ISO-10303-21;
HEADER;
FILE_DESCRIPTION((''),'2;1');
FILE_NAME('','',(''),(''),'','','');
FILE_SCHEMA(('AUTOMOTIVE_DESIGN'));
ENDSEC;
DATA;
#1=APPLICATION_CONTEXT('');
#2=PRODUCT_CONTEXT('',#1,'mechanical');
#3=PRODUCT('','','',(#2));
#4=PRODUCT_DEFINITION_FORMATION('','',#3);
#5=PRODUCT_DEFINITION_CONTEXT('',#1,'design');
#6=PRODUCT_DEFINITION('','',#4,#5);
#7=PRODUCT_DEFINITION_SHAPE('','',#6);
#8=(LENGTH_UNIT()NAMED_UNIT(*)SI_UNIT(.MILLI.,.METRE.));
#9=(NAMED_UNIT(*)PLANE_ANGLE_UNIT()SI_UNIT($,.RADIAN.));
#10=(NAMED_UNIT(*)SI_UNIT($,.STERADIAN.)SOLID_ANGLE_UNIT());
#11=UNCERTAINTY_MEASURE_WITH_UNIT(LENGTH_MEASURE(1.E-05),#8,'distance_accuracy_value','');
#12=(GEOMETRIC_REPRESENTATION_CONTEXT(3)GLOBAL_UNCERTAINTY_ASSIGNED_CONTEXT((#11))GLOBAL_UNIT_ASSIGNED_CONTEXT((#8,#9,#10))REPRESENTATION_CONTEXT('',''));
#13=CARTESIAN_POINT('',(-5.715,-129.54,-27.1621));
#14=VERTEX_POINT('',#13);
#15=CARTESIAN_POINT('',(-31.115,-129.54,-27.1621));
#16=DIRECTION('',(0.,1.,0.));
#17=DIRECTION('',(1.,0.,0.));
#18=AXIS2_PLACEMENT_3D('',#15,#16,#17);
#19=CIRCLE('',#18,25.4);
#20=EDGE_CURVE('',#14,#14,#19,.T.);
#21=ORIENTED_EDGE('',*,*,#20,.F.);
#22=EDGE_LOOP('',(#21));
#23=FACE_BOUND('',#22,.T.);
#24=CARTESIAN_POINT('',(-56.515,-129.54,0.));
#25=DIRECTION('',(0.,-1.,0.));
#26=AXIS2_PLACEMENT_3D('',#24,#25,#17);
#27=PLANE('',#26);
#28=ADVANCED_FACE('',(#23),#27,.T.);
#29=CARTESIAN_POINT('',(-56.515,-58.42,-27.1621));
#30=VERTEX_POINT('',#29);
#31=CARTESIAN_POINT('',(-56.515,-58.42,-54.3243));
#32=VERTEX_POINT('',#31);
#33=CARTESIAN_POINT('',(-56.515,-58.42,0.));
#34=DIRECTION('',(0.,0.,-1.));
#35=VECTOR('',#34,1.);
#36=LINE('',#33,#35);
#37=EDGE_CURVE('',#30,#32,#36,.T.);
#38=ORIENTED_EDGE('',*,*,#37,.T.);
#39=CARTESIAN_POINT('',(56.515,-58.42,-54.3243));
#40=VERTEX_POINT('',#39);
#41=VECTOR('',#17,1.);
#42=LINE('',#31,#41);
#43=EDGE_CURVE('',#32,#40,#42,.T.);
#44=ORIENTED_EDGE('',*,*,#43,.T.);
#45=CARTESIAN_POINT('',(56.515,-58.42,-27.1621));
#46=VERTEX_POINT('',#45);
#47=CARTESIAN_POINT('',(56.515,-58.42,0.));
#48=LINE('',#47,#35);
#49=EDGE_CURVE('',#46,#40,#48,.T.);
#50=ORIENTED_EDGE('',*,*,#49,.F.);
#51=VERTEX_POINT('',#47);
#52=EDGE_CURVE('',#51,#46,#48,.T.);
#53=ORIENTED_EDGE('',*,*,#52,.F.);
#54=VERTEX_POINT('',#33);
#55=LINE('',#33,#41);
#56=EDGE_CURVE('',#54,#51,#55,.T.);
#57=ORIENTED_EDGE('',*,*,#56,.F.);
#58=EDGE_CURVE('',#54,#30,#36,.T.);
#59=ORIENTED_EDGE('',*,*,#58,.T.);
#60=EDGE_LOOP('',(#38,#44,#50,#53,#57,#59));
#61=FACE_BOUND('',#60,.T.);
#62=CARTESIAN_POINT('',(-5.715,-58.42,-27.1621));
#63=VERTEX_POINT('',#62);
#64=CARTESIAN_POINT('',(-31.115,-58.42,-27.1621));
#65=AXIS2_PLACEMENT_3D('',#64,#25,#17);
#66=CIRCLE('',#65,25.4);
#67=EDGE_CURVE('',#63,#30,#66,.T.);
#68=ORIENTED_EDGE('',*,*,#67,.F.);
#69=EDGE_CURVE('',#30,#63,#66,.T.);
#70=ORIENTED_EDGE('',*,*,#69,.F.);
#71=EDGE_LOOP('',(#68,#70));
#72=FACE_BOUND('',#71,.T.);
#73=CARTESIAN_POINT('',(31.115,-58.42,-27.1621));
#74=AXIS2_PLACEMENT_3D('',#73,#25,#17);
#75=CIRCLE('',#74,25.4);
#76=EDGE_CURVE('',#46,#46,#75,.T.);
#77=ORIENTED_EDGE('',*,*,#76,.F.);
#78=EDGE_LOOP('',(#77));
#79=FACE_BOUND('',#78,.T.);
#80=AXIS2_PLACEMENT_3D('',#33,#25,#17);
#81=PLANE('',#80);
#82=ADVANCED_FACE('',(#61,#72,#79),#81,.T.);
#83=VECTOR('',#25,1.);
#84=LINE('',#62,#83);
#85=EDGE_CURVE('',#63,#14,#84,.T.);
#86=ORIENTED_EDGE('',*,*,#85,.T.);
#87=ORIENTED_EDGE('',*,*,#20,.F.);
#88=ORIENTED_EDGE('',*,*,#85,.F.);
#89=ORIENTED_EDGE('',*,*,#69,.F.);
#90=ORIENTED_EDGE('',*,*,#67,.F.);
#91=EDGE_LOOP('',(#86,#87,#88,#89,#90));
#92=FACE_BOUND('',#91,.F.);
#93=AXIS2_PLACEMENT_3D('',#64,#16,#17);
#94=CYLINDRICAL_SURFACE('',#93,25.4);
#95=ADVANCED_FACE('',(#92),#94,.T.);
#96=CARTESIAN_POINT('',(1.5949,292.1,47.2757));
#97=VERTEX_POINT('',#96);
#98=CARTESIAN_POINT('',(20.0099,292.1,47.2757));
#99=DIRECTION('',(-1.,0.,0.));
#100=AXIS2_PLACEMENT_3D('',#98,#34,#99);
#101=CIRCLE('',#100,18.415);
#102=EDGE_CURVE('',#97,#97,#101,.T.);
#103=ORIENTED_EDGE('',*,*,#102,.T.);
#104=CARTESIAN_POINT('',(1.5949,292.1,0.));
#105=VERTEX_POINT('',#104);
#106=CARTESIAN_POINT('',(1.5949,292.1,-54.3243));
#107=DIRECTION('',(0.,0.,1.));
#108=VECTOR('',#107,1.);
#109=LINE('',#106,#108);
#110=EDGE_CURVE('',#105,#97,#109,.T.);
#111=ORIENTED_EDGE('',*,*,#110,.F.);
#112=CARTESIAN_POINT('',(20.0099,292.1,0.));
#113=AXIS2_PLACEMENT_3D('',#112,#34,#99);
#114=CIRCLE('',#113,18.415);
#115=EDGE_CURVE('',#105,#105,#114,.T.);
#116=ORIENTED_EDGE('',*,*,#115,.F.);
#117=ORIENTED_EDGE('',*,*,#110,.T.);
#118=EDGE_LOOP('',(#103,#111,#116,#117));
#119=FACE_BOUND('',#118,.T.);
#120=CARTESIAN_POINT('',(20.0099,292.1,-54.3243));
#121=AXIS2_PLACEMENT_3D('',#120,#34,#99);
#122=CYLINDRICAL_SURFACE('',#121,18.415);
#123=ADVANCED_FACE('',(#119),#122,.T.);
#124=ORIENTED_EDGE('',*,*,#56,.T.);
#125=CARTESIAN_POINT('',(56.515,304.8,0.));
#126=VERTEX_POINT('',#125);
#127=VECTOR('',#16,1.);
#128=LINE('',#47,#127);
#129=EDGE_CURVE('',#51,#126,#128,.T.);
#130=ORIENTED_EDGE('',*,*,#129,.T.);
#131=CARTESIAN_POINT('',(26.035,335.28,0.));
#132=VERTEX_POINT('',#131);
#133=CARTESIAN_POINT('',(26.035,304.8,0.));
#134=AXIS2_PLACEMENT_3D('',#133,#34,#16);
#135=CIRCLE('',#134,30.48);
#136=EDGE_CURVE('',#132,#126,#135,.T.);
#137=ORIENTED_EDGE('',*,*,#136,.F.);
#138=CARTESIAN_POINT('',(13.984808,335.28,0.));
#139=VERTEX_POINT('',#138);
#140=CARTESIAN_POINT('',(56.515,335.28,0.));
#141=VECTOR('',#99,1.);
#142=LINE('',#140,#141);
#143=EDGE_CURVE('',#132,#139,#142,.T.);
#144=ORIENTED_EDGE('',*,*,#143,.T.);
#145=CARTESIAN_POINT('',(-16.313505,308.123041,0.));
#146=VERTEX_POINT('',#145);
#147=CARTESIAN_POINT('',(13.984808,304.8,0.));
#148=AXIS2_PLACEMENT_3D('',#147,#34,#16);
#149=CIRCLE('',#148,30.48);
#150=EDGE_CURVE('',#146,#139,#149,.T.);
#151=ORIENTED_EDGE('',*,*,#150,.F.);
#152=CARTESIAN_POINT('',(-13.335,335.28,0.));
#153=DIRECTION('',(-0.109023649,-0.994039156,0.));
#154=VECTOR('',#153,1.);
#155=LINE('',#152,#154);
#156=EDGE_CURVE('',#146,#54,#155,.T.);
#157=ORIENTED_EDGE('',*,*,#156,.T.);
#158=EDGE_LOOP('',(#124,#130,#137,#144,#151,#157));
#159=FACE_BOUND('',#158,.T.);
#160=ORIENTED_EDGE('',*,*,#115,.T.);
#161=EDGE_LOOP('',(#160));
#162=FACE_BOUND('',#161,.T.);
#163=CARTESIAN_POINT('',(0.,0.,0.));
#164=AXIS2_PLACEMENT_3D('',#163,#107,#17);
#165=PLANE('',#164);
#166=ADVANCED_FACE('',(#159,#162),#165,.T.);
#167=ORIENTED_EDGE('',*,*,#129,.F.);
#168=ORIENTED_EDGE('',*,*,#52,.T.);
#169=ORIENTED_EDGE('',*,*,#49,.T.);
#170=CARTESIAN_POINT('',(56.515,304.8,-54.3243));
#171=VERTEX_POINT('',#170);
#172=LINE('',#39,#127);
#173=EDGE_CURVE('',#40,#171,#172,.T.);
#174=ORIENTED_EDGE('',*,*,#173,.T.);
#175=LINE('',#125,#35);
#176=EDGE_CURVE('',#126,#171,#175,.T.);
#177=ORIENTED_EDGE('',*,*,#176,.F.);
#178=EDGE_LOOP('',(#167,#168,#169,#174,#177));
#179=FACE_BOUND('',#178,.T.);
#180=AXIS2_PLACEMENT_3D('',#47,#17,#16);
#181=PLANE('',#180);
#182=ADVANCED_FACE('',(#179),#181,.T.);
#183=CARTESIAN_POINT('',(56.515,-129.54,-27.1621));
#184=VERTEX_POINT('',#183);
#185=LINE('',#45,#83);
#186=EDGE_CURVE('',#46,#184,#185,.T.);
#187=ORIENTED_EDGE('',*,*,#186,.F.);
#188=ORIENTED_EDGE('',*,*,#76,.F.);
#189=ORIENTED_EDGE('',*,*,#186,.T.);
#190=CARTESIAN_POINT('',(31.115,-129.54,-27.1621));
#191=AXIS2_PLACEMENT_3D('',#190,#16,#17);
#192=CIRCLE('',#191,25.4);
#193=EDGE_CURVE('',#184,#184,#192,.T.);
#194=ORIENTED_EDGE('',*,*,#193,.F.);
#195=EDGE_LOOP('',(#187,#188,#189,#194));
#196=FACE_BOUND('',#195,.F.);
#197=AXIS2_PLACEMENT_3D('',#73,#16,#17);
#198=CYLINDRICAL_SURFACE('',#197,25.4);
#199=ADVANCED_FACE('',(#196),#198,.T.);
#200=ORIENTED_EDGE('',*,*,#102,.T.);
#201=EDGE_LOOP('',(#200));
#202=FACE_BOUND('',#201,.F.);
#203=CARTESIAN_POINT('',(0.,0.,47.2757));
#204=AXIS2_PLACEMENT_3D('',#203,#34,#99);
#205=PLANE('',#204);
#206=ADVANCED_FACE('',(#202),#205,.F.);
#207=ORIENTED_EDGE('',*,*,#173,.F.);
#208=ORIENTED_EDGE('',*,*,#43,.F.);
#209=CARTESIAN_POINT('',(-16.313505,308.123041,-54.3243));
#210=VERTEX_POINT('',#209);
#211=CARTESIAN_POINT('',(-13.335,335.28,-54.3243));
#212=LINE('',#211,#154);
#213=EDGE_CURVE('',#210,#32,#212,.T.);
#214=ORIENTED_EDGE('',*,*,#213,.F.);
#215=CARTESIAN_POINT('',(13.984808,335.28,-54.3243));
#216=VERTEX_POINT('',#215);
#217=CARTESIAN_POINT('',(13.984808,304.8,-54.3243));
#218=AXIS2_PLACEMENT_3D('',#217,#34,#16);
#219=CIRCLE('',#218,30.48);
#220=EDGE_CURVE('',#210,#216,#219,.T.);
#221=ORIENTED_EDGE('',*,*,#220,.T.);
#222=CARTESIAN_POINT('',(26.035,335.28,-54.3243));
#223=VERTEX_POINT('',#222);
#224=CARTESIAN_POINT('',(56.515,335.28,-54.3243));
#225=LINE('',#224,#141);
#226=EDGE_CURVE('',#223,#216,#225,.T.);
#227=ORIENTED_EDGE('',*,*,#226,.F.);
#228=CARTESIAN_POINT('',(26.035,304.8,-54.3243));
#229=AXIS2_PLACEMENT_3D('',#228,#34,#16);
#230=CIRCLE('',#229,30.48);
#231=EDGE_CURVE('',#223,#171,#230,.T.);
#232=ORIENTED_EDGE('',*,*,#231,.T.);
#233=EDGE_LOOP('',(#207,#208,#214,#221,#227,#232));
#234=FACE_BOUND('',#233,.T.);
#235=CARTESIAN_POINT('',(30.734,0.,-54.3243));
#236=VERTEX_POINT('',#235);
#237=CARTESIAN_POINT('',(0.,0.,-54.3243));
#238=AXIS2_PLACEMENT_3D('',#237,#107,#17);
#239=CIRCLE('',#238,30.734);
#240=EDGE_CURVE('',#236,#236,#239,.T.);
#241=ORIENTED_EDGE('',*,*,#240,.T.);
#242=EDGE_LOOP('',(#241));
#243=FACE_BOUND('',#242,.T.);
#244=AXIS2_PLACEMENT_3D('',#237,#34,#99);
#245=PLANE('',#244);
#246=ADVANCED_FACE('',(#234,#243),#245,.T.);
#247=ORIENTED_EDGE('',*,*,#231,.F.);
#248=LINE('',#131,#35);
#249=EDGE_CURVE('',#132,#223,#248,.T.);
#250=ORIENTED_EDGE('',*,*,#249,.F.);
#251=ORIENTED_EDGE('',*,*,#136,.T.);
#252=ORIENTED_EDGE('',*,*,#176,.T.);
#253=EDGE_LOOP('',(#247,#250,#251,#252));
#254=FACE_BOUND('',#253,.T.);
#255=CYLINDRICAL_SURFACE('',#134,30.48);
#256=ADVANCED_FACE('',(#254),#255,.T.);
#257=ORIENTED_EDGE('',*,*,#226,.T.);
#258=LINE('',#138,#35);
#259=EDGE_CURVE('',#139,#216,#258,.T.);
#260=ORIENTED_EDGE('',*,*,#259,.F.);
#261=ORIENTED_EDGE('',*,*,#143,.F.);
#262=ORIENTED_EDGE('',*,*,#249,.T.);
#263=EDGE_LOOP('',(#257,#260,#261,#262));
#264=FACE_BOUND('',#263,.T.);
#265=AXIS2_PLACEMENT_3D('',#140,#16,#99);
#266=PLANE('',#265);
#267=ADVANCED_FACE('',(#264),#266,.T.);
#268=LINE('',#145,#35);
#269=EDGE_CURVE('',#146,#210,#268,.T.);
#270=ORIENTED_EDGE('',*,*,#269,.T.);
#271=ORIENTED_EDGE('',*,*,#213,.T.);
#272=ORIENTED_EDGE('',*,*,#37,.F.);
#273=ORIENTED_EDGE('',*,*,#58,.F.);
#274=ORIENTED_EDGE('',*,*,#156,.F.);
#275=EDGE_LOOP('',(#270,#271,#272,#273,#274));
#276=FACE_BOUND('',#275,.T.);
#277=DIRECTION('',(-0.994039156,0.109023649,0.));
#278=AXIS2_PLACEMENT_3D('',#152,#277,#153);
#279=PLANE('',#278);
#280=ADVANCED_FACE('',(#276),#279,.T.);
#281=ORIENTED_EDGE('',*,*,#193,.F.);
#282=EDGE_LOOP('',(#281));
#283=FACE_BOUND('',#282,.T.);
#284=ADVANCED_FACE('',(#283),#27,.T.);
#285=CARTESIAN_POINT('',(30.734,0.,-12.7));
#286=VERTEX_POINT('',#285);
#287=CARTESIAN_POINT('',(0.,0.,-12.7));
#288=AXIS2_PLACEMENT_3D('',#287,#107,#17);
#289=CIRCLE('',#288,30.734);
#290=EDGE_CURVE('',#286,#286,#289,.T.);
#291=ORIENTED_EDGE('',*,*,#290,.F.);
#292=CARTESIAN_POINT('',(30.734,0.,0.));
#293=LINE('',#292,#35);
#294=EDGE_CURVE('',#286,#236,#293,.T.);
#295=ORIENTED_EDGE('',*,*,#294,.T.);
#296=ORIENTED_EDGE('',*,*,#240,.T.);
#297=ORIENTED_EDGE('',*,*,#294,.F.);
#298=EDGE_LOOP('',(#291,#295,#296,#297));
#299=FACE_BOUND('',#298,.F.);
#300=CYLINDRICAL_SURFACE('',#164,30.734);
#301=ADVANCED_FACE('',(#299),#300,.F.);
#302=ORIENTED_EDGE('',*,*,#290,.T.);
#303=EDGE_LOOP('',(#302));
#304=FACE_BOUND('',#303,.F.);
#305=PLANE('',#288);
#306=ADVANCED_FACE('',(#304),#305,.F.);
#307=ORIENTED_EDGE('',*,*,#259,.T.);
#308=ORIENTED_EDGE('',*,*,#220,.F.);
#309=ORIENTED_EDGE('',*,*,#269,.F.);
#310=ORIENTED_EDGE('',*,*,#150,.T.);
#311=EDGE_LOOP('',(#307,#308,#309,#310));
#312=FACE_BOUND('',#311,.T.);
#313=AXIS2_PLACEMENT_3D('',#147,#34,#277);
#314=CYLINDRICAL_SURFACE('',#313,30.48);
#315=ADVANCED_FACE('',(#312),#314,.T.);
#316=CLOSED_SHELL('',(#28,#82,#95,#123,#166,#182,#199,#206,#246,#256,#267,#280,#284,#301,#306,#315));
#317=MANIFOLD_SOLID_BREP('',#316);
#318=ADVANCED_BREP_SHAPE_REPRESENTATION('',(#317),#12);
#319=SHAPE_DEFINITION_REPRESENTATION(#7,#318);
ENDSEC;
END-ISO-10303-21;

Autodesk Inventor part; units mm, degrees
ref_plane "YZ Plane" through (0, 0, 0) normal (1, 0, 0) x (0, 1, 0)
ref_plane "XZ Plane" through (0, 0, 0) normal (0, 1, 0) x (-1, 0, 0)
ref_plane "XY Plane" through (0, 0, 0) normal (0, 0, 1) x (1, 0, 0)
sketch "Sketch1" plane through (0, 0, 0) normal (0, 0, 1) x (1, 0, 0)
  circle A0 centre (0, 0) radius 30.734
  line L0 (-56.515, -58.42) -> (56.515, -58.42)
  line L1 (56.515, -58.42) -> (56.515, 335.28)
  line L2 (56.515, 335.28) -> (-13.335, 335.28)
  line L3 (-13.335, 335.28) -> (-56.515, -58.42)
  dimension "d0" = 61.468
  dimension "d1" = 393.7
  dimension "d2" = 113.03
  dimension "d3" = 69.85
  dimension "d4" = 58.42
  dimension "d5" = 56.515
extrude "Extrusion1" add sketch "Sketch1" against normal blind 54.3243
fillet "Fillet1" radius 30.48 2 edges at (56.515, 335.28, -27.1621) (-13.335, 335.28, -27.1621)
sketch "Sketch2" plane through (-56.515, -58.42, 0) normal (0, -1, 0) x (1, 0, 0)
  line L0 (113.03, 0) -> (113.03, -54.3243) projected
  line L1 (113.03, -27.1621) -> (0, -27.1621)
  line L2 (0, 0) -> (0, -54.3243) projected
  line L3 (56.515, -27.1621) -> (56.515, -44.3071)
  circle A0 centre (87.63, -27.1621) radius 25.4
  circle A1 centre (25.4, -27.1621) radius 25.4
  point P0 (56.515, 0)
  dimension "d10" = 50.8
  dimension "d9" = 50.8
  dimension "d11" = 113.03
extrude "Extrusion2" add sketch "Sketch2" along normal blind 71.12
sketch "Sketch3" plane through (0, 0, 0) normal (0, 0, 1) x (1, 0, 0)
  circle A0 centre (0, 0) radius 42.7153
extrude "Extrusion3" add sketch "Sketch3" against normal blind 12.7
sketch "Sketch4" plane through (0, 0, -54.3243) normal (0, 0, -1) x (-1, 0, 0)
  line L0 (-26.035, 335.28) -> (-13.9848, 335.28) projected
  line L1 (-20.0099, 335.28) -> (-20.0099, 292.1)
  circle A0 centre (-20.0099, 292.1) radius 18.415
  point P0 (0, 0)
  dimension "d17" = 36.83
  dimension "d20" = 292.1
extrude "Extrusion4" add sketch "Sketch4" against normal blind 101.6
equation "\"d5\" = 0.5 * d2"
equation "\"d10\" = d9"
properties part number "Forearm-lrg"
